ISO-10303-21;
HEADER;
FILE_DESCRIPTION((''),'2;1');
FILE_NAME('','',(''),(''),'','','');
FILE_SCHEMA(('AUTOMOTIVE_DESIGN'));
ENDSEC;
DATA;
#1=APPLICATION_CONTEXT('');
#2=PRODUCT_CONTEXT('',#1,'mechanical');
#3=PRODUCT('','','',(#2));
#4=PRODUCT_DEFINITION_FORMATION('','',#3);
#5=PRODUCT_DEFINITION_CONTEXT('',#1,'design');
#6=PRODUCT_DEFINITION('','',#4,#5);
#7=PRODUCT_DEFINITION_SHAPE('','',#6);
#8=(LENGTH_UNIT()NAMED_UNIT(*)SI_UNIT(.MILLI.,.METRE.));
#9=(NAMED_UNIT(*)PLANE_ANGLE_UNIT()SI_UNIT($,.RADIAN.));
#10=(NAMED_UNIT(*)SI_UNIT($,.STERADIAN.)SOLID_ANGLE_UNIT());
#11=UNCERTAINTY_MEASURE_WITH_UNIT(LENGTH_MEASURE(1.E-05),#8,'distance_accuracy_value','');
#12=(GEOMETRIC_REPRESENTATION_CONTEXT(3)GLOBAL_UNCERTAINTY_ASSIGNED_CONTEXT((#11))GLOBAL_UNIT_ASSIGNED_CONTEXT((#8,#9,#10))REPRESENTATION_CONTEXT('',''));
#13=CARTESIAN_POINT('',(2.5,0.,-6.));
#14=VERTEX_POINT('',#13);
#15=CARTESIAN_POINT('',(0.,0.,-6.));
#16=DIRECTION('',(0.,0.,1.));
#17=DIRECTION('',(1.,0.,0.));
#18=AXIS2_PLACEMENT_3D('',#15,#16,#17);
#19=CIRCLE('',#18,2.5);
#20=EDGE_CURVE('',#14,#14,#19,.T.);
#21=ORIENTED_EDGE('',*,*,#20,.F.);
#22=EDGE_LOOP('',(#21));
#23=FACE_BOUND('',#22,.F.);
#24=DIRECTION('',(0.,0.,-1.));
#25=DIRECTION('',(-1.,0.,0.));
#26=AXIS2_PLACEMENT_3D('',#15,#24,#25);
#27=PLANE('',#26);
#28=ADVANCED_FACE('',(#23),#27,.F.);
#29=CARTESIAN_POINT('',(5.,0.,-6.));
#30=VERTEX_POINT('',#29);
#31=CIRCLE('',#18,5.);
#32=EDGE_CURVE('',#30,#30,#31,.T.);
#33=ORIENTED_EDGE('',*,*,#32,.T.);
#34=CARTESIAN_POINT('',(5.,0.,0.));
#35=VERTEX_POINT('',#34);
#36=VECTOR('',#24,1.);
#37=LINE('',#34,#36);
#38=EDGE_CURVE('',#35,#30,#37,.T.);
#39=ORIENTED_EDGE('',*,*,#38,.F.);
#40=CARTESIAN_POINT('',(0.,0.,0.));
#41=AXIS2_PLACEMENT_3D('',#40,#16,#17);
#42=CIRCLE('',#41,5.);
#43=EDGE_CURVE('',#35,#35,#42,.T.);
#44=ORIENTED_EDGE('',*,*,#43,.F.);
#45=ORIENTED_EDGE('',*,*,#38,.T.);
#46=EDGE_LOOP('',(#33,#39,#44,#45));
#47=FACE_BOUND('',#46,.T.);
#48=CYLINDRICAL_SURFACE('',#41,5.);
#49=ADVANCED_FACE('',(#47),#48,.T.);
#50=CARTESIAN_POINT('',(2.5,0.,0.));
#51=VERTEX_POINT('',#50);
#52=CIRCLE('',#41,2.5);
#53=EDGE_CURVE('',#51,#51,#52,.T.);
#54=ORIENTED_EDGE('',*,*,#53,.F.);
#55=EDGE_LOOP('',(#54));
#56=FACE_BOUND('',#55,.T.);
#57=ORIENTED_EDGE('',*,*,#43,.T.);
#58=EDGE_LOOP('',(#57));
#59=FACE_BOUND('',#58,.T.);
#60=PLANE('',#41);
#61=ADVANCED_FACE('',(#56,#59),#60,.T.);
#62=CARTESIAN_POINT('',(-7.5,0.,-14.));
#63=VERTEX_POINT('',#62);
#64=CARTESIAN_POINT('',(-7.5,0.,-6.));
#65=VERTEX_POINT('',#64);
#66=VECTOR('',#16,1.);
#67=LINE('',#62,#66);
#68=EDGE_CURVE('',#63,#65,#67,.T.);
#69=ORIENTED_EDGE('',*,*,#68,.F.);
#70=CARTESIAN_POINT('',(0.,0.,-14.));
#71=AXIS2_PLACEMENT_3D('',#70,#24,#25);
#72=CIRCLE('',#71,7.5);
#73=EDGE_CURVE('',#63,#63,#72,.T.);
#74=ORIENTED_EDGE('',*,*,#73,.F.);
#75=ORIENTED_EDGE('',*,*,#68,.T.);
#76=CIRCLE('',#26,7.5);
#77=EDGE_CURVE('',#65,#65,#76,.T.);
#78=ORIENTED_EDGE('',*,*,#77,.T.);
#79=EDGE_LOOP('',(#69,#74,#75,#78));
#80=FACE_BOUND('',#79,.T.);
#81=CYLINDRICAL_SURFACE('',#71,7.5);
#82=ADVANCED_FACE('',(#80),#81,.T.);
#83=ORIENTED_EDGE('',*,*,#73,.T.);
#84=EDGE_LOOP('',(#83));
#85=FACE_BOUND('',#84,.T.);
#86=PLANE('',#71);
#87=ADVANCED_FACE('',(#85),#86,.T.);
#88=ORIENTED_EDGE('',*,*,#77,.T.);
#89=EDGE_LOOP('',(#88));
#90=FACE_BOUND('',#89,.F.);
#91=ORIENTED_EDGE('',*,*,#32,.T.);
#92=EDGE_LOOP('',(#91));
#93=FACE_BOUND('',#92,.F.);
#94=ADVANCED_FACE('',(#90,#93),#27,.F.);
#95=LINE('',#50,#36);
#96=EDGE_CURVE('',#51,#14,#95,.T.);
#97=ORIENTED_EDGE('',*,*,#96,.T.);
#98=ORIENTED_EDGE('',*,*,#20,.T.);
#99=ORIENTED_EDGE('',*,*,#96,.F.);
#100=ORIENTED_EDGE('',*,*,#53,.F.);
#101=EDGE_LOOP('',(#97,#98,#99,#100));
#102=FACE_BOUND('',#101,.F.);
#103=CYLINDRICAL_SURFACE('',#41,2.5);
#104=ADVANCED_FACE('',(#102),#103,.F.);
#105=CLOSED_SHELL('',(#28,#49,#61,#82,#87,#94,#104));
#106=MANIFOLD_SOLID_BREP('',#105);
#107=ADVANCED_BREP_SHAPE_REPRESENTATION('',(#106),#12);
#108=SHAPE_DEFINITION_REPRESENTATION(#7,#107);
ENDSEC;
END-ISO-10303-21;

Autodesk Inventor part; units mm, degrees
ref_plane "YZ Plane" through (0, 0, 0) normal (1, 0, 0) x (0, 1, 0)
ref_plane "XZ Plane" through (0, 0, 0) normal (0, 1, 0) x (-1, 0, 0)
ref_plane "XY Plane" through (0, 0, 0) normal (0, 0, 1) x (1, 0, 0)
sketch "Sketch1" plane through (0, 0, 0) normal (0, 0, 1) x (1, 0, 0)
  circle A0 centre (0, 0) radius 2.5 projected
  circle A1 centre (0, 0) radius 5
  dimension "d0" = 10
extrude "Extrusion1" add sketch "Sketch1" against normal blind 14
sketch "Sketch2" plane through (0, 0, -14) normal (0, 0, -1) x (-1, 0, 0)
  circle A0 centre (0, 0) radius 7.5
  dimension "d3" = 15
extrude "Extrusion2" add sketch "Sketch2" against normal blind 8
properties part number "Gear_ele"
